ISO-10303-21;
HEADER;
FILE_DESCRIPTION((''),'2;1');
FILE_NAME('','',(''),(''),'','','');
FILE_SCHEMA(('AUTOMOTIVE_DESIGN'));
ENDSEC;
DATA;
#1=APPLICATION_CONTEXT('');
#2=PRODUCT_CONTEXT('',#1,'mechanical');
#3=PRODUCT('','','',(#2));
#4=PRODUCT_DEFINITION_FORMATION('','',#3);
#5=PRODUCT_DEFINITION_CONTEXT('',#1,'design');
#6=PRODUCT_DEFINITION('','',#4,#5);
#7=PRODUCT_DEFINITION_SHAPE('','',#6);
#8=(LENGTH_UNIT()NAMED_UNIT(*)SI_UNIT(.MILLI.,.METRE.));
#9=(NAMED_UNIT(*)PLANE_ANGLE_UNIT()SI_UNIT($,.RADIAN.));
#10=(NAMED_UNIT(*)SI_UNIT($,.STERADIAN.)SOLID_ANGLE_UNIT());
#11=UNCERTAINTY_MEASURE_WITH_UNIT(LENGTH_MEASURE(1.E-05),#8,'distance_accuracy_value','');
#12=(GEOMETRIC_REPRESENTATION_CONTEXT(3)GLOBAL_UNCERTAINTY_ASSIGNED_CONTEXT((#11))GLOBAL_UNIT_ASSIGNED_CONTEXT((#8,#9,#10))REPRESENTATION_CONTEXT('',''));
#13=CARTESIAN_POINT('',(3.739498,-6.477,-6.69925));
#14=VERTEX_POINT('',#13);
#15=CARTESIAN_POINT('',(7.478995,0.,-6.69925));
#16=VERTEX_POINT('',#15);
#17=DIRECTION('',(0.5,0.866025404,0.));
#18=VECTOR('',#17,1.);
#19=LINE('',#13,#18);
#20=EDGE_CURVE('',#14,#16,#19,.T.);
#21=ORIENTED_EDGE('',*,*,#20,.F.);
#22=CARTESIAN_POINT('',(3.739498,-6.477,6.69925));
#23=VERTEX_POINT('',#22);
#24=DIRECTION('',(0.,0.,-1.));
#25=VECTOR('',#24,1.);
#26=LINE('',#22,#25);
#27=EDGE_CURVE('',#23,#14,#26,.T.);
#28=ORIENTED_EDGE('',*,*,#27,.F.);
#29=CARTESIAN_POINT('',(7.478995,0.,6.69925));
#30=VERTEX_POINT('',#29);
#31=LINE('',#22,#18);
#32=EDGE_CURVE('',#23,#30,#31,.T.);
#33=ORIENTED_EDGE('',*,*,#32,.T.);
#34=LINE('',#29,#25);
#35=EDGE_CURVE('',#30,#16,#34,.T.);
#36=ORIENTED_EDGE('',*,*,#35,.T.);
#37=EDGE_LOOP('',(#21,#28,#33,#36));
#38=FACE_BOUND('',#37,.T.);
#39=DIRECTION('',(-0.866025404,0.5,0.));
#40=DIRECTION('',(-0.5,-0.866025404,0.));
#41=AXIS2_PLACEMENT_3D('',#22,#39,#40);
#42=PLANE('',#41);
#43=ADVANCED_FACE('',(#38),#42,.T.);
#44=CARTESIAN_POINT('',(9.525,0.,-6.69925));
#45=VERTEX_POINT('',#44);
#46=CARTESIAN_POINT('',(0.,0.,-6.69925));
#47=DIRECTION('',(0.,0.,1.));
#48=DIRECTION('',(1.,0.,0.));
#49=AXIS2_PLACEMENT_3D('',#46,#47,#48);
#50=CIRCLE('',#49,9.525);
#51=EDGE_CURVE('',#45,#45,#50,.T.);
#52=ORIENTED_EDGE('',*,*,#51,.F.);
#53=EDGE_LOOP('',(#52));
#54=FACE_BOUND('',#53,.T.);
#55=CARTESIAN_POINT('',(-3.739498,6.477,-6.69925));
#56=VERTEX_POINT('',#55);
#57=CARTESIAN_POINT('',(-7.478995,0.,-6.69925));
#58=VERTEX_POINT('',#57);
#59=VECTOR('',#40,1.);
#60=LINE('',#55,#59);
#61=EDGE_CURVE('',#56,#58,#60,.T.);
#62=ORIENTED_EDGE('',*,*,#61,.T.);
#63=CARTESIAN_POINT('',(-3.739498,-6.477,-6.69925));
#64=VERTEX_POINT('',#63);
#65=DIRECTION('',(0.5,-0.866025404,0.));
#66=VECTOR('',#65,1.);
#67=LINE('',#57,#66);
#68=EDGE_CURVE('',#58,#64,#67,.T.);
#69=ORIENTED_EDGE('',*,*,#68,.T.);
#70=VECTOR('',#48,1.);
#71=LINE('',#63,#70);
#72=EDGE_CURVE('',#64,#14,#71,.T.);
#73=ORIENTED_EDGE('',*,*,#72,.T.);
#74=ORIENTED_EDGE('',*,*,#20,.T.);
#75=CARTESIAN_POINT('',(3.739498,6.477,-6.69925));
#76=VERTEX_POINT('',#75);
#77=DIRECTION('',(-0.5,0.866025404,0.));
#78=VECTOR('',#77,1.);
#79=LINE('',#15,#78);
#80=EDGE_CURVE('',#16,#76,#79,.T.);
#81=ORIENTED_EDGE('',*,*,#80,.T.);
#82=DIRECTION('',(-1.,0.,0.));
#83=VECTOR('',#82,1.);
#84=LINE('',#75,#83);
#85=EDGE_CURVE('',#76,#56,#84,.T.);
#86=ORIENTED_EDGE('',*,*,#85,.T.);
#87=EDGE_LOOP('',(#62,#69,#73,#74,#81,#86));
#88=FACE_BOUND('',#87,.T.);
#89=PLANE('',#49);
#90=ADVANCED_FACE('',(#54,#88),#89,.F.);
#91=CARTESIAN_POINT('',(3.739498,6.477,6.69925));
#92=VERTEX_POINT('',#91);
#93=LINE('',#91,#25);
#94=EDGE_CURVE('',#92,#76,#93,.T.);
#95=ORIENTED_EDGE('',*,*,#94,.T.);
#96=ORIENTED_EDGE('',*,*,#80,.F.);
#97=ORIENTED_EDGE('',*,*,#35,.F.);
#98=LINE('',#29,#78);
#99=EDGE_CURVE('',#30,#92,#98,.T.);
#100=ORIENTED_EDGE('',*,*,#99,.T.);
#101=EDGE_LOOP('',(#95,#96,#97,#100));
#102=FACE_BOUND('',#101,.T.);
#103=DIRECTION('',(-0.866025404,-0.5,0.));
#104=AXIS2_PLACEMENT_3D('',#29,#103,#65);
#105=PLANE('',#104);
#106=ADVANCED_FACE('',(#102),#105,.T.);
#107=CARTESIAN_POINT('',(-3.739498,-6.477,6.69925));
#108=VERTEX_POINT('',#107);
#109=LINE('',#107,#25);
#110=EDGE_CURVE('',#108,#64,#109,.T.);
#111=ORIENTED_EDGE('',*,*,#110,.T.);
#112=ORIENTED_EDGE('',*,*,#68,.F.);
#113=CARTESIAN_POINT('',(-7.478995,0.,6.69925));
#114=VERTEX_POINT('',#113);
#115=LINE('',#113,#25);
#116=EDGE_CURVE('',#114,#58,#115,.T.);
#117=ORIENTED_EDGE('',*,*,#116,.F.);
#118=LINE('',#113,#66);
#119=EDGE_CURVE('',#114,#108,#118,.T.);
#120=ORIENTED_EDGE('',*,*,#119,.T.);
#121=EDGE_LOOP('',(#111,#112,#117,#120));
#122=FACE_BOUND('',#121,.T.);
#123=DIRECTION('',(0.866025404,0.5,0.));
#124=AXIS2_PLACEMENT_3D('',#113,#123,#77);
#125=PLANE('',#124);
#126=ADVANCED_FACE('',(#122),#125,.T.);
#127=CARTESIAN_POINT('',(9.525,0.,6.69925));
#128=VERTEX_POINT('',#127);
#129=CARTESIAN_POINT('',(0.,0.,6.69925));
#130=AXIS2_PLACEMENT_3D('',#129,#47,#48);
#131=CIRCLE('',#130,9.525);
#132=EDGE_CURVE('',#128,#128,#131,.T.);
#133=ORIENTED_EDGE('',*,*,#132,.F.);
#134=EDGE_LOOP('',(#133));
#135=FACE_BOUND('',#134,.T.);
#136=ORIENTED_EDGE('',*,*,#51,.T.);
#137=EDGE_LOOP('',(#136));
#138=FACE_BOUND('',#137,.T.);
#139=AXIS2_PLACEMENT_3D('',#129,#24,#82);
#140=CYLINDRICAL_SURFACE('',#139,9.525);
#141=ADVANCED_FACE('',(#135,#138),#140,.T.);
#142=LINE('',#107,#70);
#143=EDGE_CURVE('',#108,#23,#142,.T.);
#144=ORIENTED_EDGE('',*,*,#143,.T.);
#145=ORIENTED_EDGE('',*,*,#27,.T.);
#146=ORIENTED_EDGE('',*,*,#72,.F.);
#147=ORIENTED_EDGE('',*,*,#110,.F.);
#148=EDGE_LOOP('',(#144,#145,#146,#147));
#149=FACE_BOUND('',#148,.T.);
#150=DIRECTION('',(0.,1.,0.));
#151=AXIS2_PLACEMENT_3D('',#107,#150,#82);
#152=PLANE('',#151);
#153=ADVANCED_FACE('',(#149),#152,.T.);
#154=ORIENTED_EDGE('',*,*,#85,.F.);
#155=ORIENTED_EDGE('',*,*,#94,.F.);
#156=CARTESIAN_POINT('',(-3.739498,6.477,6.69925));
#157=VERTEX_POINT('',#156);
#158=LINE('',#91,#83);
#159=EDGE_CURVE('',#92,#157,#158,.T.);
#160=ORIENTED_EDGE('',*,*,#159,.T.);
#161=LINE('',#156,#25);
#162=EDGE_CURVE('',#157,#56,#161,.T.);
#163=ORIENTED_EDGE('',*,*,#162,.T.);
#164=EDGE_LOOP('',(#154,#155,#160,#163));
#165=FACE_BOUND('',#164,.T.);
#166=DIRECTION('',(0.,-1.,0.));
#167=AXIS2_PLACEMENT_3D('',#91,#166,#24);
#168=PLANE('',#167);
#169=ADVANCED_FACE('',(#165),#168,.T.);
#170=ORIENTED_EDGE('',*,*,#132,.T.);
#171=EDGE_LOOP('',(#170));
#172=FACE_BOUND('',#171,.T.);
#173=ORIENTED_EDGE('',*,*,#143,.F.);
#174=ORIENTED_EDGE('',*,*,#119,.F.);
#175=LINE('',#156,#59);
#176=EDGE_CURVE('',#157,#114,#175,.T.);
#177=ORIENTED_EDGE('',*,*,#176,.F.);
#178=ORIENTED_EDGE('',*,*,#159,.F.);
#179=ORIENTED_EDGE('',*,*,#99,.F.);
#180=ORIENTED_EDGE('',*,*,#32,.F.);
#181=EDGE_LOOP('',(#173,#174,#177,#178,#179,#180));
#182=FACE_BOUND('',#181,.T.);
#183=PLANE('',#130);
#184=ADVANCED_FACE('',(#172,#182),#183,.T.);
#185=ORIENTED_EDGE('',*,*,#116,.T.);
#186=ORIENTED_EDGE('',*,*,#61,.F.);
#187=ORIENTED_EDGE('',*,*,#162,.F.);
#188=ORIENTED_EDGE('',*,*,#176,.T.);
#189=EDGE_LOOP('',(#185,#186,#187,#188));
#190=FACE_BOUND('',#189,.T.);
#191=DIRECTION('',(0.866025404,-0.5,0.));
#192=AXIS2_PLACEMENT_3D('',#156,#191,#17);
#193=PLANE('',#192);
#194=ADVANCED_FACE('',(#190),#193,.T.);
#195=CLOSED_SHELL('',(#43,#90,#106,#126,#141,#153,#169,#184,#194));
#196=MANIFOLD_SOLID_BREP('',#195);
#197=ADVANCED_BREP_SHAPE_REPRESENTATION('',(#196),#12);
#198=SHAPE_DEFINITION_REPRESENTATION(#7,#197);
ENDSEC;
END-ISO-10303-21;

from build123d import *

# Parameters (mm, degrees)
SKETCH1_R           = 9.525
BOSS_EXTRUDE1_DEPTH = 6.69925


with BuildPart() as part:
    # Sketch1 → Boss-Extrude1 (new, symmetric)
    with BuildSketch(Plane.XY):
        Circle(SKETCH1_R)
        Polygon((7.478995387, 0), (3.739497694, 6.477), (-3.739497694, 6.477), (-7.478995387, 0), (-3.739497694, -6.477), (3.739497694, -6.477), align=None, mode=Mode.SUBTRACT)
    extrude(amount=BOSS_EXTRUDE1_DEPTH, both=True)


solid = part.part
